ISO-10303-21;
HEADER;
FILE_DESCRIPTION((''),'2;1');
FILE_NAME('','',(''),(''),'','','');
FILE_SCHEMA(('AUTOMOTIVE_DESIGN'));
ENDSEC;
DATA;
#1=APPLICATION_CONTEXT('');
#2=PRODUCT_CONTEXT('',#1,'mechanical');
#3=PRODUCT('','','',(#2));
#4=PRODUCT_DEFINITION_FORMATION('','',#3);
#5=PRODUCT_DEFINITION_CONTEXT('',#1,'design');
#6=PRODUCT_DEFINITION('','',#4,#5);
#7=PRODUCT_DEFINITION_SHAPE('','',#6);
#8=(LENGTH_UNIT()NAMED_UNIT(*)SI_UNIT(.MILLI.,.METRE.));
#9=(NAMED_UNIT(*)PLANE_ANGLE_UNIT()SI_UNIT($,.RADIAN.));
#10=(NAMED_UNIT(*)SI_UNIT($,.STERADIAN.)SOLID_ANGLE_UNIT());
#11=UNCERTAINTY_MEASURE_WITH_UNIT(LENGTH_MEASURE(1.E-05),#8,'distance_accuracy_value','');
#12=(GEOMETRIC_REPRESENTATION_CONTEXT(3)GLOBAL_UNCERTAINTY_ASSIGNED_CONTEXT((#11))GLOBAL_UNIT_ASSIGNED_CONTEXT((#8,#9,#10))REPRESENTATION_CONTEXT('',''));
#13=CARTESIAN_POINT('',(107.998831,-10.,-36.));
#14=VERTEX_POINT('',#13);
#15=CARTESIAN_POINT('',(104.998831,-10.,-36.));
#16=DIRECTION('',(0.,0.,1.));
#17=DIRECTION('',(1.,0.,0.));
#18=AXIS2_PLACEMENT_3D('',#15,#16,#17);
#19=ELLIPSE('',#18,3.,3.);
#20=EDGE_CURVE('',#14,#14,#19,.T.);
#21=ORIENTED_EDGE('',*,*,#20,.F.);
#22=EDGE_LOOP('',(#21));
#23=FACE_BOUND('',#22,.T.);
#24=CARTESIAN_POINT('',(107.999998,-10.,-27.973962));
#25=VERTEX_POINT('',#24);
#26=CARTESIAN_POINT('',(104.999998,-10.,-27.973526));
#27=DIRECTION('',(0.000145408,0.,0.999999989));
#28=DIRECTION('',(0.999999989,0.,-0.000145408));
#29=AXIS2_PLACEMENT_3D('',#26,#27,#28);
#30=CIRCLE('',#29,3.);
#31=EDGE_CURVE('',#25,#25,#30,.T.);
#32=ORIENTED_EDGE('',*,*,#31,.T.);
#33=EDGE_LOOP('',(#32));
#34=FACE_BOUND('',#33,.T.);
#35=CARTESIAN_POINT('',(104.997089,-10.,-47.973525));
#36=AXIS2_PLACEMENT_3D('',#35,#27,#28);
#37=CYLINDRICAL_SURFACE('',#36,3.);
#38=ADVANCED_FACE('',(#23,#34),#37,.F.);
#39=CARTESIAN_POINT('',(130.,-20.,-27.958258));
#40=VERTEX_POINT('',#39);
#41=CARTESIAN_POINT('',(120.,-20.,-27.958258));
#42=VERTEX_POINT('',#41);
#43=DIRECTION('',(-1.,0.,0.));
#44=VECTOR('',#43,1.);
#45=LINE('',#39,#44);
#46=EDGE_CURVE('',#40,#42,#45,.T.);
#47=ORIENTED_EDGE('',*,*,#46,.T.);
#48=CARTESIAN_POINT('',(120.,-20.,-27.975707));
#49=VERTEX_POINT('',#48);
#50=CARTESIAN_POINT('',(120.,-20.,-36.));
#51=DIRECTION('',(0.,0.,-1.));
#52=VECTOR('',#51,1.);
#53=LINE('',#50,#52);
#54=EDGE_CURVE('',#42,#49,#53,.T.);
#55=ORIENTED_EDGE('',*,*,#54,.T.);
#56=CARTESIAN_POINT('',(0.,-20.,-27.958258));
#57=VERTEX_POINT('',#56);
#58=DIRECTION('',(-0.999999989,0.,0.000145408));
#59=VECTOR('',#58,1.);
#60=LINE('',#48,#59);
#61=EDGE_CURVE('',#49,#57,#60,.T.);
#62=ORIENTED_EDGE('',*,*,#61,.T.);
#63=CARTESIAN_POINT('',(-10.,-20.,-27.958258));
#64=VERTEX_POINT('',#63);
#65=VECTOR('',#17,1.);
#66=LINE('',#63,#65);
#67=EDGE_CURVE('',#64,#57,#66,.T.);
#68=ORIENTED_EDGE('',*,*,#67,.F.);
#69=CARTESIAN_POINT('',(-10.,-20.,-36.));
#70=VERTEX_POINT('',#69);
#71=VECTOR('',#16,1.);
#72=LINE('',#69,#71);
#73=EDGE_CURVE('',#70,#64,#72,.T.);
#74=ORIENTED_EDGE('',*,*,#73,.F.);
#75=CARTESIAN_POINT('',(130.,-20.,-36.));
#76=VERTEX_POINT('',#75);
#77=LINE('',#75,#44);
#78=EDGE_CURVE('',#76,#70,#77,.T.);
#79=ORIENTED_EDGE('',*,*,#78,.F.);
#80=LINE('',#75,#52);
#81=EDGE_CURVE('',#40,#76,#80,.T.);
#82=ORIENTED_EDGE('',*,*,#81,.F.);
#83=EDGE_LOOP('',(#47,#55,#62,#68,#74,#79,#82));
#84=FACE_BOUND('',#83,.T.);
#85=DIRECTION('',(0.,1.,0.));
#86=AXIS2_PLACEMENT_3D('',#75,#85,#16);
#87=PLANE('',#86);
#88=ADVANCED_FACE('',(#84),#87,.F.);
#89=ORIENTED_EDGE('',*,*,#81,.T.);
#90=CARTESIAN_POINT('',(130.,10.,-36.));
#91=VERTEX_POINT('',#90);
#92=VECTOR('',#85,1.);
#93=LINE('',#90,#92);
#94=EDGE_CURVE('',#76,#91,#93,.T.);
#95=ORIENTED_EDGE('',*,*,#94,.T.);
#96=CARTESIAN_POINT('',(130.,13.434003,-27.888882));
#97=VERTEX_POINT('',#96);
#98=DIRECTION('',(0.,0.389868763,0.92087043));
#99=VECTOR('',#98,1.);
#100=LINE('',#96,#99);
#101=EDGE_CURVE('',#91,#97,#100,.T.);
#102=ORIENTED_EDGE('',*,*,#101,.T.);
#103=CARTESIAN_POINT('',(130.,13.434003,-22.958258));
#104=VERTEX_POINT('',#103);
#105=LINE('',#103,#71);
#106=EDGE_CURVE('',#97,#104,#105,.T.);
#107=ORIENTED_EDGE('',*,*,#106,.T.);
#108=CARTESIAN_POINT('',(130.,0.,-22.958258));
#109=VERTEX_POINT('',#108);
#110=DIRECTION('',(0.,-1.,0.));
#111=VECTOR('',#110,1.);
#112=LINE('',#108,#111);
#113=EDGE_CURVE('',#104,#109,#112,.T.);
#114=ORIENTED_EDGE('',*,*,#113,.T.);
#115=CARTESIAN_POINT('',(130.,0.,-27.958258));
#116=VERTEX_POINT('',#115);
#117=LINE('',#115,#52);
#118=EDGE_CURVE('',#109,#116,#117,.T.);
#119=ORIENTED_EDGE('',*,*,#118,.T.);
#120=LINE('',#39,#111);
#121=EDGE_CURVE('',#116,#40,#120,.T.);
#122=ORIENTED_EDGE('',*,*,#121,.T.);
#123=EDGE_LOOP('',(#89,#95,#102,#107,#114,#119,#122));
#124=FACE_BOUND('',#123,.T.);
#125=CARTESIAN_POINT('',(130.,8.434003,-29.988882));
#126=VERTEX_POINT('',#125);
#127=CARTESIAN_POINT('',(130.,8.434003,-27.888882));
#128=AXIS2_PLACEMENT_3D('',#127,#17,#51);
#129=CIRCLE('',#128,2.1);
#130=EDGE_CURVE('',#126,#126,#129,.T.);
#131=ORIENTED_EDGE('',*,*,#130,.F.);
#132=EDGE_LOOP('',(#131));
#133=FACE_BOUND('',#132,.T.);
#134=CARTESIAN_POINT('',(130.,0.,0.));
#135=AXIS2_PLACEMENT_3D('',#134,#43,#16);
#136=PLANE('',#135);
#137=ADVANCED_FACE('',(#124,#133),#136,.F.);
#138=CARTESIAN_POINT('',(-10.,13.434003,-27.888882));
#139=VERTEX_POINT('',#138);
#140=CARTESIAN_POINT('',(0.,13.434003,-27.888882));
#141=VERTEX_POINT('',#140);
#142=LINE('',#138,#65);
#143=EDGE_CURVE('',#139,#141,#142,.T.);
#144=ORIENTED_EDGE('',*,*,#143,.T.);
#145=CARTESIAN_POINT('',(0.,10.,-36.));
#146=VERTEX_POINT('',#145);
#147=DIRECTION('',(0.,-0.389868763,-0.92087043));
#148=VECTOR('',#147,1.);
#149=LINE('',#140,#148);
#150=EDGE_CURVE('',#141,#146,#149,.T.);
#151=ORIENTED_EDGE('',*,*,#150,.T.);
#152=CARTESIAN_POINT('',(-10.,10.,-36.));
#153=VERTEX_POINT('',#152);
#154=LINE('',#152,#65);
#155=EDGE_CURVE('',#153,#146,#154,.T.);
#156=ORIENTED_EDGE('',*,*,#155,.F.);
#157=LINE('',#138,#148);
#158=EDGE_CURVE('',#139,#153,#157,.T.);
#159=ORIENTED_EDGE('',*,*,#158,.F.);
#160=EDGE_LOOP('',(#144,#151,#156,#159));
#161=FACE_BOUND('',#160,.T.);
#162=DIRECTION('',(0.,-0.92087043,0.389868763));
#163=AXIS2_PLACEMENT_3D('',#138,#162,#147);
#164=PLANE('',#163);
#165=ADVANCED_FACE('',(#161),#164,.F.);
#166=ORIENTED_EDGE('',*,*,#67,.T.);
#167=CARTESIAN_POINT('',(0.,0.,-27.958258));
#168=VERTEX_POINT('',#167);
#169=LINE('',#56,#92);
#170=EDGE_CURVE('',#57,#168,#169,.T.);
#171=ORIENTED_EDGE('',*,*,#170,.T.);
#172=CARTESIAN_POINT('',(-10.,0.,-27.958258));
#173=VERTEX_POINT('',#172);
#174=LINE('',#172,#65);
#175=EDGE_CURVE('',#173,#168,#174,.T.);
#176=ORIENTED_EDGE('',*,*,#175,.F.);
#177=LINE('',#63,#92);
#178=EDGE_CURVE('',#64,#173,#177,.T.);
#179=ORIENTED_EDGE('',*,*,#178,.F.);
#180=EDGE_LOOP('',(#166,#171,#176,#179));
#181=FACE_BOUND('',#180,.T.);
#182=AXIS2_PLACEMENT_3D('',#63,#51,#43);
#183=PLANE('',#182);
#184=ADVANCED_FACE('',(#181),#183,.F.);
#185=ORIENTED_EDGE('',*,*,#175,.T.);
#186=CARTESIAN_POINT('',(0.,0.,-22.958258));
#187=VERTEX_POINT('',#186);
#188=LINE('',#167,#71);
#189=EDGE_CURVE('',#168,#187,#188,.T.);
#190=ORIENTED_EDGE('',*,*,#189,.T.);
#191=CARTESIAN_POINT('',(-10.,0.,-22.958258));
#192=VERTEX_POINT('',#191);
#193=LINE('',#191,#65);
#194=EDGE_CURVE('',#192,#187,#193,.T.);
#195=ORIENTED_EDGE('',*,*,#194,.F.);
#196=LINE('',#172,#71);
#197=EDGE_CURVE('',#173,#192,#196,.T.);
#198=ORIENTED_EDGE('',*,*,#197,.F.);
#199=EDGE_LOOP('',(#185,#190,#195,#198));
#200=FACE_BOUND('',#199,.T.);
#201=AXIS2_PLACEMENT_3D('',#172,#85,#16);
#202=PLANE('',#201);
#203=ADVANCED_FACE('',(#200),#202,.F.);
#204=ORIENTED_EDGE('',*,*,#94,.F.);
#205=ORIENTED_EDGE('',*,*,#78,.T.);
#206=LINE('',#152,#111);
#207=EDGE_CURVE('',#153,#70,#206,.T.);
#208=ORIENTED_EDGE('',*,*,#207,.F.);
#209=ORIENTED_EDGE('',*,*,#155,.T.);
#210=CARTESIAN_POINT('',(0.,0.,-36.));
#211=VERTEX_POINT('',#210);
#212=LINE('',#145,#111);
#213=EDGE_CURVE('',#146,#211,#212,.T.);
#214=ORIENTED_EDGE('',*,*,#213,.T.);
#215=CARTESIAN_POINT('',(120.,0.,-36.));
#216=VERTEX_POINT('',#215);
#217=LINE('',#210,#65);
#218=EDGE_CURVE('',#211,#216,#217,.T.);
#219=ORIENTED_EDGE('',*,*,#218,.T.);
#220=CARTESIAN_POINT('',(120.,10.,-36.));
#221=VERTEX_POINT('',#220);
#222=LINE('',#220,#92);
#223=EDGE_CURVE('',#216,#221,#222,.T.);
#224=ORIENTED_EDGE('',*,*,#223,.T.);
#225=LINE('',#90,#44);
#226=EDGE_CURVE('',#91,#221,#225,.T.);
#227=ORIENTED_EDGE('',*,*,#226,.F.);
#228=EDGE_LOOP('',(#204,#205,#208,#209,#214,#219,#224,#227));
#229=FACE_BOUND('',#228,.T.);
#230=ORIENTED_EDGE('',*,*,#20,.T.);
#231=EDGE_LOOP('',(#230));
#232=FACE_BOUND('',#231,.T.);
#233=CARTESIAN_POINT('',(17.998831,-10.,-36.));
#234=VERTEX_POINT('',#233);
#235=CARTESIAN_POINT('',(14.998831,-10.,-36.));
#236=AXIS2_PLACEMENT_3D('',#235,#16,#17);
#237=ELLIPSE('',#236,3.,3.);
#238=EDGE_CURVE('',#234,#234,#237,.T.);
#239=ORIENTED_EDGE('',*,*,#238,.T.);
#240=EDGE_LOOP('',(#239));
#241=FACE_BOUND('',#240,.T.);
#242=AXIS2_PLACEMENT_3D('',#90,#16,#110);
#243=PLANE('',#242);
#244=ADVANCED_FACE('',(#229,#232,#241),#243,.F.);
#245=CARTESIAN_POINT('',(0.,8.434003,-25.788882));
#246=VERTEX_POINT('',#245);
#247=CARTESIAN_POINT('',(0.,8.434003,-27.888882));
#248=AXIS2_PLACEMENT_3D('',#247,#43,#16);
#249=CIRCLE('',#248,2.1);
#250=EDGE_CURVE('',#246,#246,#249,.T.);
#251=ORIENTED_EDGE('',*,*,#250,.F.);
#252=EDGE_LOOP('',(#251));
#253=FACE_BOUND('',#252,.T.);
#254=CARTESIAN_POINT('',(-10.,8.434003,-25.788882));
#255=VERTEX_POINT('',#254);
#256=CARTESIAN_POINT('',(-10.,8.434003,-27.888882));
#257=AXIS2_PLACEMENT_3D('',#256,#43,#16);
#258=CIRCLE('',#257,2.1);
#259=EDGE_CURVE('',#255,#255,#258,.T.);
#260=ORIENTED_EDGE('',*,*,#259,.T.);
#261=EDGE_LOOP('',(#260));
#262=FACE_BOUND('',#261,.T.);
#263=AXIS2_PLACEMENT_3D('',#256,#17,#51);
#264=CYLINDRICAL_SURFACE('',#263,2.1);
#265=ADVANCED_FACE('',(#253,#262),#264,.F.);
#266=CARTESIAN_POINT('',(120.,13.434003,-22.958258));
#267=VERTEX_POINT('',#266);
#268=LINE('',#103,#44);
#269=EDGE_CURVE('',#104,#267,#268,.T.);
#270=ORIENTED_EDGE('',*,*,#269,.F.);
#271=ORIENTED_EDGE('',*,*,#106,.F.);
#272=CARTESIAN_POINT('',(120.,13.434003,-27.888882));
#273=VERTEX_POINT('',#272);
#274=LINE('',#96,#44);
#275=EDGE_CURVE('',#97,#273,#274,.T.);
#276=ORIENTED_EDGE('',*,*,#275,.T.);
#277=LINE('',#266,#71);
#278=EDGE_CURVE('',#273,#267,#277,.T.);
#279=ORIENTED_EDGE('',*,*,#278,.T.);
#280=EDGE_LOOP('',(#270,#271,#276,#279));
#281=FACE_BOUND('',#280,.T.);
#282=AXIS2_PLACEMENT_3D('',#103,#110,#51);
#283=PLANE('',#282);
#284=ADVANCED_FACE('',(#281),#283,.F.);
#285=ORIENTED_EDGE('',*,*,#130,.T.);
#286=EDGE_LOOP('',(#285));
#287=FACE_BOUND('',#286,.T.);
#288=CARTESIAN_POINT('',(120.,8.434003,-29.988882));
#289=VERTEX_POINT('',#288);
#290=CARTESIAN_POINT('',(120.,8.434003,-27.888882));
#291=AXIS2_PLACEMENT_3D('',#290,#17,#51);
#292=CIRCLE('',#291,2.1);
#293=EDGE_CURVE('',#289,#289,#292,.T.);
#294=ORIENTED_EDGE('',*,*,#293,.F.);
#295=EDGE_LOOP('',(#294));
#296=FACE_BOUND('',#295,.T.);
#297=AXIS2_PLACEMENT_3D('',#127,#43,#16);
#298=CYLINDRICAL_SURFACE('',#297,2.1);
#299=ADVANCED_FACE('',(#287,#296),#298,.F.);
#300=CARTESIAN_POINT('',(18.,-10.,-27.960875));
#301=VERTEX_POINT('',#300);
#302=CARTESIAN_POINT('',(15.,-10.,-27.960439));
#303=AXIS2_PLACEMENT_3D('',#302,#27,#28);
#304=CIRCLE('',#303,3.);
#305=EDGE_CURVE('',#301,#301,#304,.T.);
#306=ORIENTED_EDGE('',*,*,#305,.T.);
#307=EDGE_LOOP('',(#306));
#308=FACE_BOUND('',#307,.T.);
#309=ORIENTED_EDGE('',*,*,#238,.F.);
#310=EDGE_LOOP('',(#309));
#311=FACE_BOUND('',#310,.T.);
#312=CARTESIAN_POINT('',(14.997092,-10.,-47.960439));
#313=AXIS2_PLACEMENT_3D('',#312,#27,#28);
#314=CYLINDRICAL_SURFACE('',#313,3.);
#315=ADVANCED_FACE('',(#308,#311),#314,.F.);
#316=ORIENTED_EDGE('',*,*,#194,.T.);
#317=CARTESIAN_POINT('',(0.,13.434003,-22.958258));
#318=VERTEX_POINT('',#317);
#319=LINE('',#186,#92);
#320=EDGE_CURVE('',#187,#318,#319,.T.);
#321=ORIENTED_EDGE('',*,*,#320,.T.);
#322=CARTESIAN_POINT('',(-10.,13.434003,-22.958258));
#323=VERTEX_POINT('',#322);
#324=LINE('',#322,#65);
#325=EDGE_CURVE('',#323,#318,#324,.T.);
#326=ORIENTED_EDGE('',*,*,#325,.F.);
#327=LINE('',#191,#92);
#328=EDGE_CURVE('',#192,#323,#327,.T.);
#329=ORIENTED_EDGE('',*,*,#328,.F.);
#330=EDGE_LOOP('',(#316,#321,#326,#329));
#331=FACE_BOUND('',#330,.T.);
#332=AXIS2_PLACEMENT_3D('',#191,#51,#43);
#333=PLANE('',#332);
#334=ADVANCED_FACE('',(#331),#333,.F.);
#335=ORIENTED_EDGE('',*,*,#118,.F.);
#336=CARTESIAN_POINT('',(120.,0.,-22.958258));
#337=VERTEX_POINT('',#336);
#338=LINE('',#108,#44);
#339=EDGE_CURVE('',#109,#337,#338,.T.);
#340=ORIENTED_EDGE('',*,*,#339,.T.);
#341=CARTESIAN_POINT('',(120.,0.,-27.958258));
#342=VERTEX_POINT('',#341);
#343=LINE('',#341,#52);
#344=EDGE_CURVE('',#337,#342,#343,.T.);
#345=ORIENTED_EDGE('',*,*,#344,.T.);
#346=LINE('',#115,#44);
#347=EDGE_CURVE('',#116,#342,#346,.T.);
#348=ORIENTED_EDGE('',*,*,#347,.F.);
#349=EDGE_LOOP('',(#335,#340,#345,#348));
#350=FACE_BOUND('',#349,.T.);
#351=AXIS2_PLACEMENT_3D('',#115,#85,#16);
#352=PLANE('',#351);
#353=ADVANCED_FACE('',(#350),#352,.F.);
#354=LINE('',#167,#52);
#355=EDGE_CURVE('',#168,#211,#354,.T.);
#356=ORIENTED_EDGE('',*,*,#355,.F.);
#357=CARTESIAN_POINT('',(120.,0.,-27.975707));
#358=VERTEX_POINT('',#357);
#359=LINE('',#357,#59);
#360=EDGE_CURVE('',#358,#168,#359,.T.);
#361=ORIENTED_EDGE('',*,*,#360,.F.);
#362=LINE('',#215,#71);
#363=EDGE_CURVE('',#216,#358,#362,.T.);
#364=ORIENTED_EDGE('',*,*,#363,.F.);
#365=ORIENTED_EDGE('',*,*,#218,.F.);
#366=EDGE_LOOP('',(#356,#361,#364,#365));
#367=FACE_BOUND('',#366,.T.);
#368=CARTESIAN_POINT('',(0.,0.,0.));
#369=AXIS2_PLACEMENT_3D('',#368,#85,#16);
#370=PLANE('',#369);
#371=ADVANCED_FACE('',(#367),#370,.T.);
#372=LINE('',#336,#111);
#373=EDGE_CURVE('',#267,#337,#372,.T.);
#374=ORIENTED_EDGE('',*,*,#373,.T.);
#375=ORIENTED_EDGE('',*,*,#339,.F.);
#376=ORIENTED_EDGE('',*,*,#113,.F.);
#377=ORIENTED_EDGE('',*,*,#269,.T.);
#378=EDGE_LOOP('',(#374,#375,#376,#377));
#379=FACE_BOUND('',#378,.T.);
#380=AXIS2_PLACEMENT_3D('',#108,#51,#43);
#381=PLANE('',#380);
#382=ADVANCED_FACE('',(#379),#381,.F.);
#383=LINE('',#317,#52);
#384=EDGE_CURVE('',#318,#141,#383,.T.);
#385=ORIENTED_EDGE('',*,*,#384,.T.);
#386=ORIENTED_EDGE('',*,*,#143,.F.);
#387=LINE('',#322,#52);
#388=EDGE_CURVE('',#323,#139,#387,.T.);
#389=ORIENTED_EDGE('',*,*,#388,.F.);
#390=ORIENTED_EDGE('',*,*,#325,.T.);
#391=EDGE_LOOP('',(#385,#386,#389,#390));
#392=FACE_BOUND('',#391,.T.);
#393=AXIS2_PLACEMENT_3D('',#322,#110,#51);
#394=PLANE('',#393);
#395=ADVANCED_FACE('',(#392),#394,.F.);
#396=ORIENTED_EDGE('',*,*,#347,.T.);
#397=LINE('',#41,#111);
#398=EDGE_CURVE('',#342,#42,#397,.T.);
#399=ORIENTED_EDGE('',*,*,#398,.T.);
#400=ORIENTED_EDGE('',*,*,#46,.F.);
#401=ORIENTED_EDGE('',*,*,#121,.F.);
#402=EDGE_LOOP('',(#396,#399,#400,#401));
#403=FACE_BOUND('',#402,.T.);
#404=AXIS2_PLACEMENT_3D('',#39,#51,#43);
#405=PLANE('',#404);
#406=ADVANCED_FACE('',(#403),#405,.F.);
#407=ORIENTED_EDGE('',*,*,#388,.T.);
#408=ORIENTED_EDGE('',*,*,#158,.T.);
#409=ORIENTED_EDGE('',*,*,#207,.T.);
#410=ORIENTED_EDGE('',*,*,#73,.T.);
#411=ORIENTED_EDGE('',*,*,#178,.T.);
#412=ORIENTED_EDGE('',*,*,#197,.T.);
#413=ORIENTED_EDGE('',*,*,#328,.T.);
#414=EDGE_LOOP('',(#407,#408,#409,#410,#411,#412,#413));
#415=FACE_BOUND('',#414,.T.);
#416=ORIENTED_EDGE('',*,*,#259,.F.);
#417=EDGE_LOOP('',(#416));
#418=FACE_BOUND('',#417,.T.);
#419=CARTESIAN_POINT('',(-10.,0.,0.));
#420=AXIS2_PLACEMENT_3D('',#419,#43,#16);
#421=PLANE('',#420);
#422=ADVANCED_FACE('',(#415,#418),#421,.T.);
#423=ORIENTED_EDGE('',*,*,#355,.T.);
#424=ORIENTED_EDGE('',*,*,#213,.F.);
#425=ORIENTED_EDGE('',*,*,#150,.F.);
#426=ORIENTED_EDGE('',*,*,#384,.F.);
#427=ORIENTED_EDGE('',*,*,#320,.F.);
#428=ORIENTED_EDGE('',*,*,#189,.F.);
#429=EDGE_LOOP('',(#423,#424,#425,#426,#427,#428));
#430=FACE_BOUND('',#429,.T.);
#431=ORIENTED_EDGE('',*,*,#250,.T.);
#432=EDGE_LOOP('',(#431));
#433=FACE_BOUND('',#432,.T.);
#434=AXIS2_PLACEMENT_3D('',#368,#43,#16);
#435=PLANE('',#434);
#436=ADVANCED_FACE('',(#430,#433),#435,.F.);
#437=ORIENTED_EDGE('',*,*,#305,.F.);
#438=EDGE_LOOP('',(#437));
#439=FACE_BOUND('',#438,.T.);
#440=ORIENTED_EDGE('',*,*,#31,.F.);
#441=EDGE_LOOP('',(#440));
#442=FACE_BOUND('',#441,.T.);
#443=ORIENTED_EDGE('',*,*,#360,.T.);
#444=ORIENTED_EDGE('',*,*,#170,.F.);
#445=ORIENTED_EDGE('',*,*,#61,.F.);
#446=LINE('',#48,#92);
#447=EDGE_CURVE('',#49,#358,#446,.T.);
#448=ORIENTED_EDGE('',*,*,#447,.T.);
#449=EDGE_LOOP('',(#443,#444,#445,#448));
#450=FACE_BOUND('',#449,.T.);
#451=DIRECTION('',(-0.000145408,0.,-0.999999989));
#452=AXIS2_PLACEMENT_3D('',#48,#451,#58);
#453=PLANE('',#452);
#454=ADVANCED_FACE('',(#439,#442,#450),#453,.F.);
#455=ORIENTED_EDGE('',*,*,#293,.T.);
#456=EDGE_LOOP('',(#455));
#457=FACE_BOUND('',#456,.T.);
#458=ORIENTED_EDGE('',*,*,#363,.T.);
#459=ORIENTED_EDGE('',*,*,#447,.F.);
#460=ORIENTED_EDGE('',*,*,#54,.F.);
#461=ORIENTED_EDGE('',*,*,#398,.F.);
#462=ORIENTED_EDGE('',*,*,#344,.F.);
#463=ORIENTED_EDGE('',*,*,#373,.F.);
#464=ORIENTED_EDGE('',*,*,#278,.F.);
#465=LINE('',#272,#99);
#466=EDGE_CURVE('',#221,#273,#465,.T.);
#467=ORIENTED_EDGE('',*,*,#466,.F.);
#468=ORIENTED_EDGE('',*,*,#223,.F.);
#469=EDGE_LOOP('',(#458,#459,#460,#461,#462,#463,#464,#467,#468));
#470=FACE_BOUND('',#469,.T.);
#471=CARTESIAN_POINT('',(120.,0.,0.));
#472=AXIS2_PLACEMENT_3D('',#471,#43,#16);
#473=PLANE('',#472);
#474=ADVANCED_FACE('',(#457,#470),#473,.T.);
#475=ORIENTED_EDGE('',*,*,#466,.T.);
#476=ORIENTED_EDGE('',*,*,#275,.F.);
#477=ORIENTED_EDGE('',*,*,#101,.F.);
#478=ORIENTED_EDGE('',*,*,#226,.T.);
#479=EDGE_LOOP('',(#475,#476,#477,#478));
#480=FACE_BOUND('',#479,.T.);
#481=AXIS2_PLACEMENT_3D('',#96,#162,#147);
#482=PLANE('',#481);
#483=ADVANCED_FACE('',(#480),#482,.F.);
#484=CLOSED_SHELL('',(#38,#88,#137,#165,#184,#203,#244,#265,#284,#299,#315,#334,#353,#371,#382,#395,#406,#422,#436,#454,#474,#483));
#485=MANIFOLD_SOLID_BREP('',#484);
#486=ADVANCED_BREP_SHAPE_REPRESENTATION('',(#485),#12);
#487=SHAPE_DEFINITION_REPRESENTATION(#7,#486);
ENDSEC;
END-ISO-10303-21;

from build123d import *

# Parameters (mm, degrees)
SKETCH_1_R          = 2.1
EXTRUDE_1_DEPTH     = 10
SKETCH_2_R          = 2.1
EXTRUDE_2_DEPTH     = 10
EXTRUDE_3_DEPTH     = 20
SKETCH_4_R          = 3
CUT_EXTRUDE_1_DEPTH = 20


with BuildPart() as part:
    # Эскиз1 → Бобышка-Вытянуть1 (new body)
    with BuildSketch(Plane(origin=(120, 0, 0), x_dir=(0, 0, -1), z_dir=(1, 0, 0))):
        Polygon((27.888881523, 13.434002899), (36, 10), (36, -20), (27.958257708, -20), (27.958257708, 0), (22.958257708, 0), (22.958257708, 13.434002899), align=None)
        with Locations((27.888881523, 8.434002899)):
            Circle(SKETCH_1_R, mode=Mode.SUBTRACT)
    extrude(amount=EXTRUDE_1_DEPTH)



with BuildPart() as body_2:
    # Эскиз2 → Бобышка-Вытянуть2 (new body)
    with BuildSketch(Plane.ZY):
        Polygon((-22.958257708, 13.434002899), (-27.888881523, 13.434002899), (-36, 10), (-36, -20), (-27.958257708, -20), (-27.958257708, 0), (-22.958257708, 0), align=None)
        with Locations(Location((-27.888881523, 8.434002899, 0), (0, 0, 180))):
            Circle(SKETCH_2_R, mode=Mode.SUBTRACT)
    extrude(amount=EXTRUDE_2_DEPTH)


with BuildPart() as part_1:
    add(part.part)

    add(body_2.part)  # Бобышка-Вытянуть3 merges body 2
    # Эскиз3 → Бобышка-Вытянуть3 (add)
    with BuildSketch(Plane(origin=(0, 0, 0), x_dir=(-1, 0, 0), z_dir=(0, -1, 0))):
        Polygon((-120, 27.975706714), (0, 27.958257708), (0, 36), (-120, 36), align=None)
    extrude(amount=EXTRUDE_3_DEPTH)

    # Эскиз4 → Вырез-Вытянуть1 (cut)
    with BuildSketch(Plane(origin=(-0.004065365, 0, -27.958257117), x_dir=(0.9999999894282007, 0, -0.00014540838614521652), z_dir=(0.00014540838614521652, 0, 0.9999999894282007))):
        with Locations((15.004065365, -10)):
            Circle(SKETCH_4_R)
        with Locations((105.004064097, -10)):
            Circle(SKETCH_4_R)
    extrude(amount=-CUT_EXTRUDE_1_DEPTH, mode=Mode.SUBTRACT)


solid = part_1.part
